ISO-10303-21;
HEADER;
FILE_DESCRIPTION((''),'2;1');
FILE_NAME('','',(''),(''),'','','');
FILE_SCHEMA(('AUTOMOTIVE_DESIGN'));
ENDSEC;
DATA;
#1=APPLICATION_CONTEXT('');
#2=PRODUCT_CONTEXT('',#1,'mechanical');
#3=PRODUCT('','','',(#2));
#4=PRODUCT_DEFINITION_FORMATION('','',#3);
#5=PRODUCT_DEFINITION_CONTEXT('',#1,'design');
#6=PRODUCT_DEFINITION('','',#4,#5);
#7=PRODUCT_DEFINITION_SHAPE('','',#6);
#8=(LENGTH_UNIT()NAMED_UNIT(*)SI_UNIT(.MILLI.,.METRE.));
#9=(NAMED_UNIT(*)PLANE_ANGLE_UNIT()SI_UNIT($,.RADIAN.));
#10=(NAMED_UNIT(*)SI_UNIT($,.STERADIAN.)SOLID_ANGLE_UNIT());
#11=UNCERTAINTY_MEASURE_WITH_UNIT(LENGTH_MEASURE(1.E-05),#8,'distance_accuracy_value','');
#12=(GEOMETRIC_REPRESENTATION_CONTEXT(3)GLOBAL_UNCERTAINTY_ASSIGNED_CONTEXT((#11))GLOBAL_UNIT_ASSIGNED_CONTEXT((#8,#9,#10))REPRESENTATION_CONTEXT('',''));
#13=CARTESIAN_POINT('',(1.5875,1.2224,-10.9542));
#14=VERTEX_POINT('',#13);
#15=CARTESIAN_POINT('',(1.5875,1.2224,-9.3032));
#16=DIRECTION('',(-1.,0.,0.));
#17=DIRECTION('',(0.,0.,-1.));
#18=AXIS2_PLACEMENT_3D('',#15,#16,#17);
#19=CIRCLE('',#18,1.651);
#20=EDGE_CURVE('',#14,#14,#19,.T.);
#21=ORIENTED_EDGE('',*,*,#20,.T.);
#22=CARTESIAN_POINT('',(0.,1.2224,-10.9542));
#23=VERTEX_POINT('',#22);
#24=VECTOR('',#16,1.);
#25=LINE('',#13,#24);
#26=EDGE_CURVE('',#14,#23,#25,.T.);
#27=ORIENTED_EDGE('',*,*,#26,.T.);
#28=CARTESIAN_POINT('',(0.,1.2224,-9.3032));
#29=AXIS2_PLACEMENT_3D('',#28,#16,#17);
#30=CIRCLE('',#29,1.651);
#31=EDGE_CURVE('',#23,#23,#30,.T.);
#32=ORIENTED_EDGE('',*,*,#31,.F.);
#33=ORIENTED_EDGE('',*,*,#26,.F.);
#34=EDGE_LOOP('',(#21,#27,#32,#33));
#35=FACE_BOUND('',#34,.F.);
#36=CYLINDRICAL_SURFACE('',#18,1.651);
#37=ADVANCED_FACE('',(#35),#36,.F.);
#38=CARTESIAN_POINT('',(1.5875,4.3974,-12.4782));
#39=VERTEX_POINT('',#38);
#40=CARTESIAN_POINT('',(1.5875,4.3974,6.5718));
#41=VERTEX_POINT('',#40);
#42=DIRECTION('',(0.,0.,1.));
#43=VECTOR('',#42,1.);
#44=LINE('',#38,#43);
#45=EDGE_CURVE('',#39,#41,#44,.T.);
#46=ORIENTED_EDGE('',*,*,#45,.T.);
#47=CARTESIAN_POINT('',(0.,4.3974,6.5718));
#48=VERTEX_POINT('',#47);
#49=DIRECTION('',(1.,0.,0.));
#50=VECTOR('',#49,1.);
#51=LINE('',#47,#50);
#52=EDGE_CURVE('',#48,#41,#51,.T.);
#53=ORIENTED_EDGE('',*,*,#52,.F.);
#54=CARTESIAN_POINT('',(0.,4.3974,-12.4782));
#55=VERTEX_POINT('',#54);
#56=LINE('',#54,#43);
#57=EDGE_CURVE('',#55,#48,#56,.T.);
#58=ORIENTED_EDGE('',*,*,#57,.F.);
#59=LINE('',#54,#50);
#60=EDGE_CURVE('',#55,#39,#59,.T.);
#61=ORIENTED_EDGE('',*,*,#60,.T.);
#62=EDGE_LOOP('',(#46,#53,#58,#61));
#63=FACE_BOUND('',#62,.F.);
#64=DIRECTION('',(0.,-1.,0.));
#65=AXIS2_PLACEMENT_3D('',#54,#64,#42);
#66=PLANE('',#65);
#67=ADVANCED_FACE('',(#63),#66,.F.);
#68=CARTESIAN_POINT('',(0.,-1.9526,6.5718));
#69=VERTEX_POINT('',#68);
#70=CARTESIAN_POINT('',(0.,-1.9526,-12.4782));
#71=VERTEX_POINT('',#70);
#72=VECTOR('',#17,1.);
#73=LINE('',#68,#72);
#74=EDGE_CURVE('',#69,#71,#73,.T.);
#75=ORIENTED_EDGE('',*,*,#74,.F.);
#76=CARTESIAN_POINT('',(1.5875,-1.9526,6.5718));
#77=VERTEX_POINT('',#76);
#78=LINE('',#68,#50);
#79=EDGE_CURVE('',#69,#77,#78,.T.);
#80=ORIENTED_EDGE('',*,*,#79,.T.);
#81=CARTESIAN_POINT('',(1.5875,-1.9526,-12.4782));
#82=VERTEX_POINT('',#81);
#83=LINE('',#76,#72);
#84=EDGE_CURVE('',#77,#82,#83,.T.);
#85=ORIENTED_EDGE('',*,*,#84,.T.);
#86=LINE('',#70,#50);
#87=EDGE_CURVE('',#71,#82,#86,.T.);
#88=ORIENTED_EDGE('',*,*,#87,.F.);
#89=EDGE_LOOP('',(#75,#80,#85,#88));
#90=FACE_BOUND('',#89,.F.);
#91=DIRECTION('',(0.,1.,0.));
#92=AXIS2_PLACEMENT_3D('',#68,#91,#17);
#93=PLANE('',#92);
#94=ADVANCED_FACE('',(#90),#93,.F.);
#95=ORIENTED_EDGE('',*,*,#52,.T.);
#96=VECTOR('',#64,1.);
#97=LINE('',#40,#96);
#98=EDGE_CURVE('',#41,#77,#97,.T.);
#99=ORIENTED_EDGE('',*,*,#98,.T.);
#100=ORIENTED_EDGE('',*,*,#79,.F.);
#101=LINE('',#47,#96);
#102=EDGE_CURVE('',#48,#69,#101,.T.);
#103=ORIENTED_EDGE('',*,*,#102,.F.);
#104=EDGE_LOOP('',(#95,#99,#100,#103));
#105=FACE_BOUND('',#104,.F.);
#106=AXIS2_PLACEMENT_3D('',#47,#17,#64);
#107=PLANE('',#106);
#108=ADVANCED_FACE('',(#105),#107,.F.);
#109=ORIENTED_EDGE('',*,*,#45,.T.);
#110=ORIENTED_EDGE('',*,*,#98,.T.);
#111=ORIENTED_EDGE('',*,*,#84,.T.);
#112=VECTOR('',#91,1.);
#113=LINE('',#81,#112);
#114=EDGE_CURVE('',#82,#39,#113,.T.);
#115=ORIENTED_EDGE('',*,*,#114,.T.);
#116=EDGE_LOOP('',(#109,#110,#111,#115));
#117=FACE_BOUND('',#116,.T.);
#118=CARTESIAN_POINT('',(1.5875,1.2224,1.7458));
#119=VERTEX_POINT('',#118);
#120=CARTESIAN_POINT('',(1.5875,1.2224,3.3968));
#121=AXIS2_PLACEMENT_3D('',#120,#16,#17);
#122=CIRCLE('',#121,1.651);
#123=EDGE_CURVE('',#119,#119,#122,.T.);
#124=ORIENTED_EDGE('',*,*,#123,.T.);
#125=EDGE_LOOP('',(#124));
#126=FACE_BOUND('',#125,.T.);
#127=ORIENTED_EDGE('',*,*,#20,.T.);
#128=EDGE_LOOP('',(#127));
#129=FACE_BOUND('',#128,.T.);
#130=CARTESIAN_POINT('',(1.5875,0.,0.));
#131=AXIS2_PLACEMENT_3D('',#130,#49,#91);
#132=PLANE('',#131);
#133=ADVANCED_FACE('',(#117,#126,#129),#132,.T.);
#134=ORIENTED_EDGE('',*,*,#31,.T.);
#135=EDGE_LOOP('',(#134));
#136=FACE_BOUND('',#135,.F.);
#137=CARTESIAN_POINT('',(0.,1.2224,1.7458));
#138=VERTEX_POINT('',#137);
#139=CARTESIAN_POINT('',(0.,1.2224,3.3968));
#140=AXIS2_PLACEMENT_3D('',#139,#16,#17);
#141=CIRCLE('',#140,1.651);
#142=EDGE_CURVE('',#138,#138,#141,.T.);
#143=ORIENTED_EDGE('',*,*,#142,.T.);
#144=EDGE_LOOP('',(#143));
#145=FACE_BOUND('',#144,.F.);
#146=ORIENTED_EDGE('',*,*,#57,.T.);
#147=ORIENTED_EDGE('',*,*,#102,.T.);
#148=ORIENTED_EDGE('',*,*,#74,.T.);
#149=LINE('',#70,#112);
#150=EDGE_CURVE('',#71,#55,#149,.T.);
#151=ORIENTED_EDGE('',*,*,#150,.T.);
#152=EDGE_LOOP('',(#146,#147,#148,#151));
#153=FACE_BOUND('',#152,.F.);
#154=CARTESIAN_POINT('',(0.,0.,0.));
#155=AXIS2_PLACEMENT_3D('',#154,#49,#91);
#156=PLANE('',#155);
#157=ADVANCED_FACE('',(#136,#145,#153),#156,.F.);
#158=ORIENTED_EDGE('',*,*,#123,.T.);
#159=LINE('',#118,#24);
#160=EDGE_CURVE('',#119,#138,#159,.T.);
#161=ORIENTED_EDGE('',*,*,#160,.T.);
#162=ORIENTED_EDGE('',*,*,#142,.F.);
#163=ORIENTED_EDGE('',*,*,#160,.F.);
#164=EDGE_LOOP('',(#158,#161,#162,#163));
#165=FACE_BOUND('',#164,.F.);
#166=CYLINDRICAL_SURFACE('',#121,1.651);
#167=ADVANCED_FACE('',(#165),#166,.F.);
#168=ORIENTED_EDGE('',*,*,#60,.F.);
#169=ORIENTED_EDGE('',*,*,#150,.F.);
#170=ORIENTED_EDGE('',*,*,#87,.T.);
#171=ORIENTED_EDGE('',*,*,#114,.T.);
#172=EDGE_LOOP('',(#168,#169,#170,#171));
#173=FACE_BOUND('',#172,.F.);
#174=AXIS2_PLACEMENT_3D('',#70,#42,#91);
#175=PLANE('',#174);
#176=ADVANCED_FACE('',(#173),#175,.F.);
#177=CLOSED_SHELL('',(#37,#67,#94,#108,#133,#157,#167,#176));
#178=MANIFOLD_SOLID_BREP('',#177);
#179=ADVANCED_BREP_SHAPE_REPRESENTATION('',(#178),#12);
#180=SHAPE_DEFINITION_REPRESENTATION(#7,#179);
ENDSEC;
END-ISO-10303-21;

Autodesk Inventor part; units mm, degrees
ref_plane "YZ Plane" through (0, 0, 0) normal (1, 0, 0) x (0, 1, 0)
ref_plane "XZ Plane" through (0, 0, 0) normal (0, 1, 0) x (-1, 0, 0)
ref_plane "XY Plane" through (0, 0, 0) normal (0, 0, 1) x (1, 0, 0)
sketch "Sketch1" plane through (0, 0, 0) normal (1, 0, 0) x (0, 1, 0)
  line L0 (4.3974, 6.5718) -> (-1.9526, 6.5718)
  line L1 (-1.9526, 6.5718) -> (-1.9526, -12.4782)
  line L2 (-1.9526, -12.4782) -> (4.3974, -12.4782)
  line L3 (4.3974, -12.4782) -> (4.3974, 6.5718)
  point P0 (0, 0)
  dimension "d0" = 19.05
  dimension "d1" = 6.35
extrude "Extrusion1" add sketch "Sketch1" along normal blind 1.5875
sketch "Sketch2" plane through (1.5875, 0, 0) normal (1, 0, 0) x (0, 0, -1)
  line L0 (12.4782, 4.3974) -> (-6.5718, 4.3974) projected
  line L1 (-6.5718, 4.3974) -> (-6.5718, -1.9526) projected
  line L2 (12.4782, -1.9526) -> (12.4782, 4.3974) projected
  point P0 (0, 0)
  point P1 (-3.3968, 1.2224)
  point P2 (9.3032, 1.2224)
  dimension "d4" = 3.175
  dimension "d5" = 3.175
  dimension "d6" = 3.175
hole "Hole1" at (1.5875, 1.2224, 3.3968) at (1.5875, 1.2224, -9.3032) direction (-1, 0, 0) diameter 3.302 depth 25.4 tip angle 118.188
properties part number "clampPlate"
